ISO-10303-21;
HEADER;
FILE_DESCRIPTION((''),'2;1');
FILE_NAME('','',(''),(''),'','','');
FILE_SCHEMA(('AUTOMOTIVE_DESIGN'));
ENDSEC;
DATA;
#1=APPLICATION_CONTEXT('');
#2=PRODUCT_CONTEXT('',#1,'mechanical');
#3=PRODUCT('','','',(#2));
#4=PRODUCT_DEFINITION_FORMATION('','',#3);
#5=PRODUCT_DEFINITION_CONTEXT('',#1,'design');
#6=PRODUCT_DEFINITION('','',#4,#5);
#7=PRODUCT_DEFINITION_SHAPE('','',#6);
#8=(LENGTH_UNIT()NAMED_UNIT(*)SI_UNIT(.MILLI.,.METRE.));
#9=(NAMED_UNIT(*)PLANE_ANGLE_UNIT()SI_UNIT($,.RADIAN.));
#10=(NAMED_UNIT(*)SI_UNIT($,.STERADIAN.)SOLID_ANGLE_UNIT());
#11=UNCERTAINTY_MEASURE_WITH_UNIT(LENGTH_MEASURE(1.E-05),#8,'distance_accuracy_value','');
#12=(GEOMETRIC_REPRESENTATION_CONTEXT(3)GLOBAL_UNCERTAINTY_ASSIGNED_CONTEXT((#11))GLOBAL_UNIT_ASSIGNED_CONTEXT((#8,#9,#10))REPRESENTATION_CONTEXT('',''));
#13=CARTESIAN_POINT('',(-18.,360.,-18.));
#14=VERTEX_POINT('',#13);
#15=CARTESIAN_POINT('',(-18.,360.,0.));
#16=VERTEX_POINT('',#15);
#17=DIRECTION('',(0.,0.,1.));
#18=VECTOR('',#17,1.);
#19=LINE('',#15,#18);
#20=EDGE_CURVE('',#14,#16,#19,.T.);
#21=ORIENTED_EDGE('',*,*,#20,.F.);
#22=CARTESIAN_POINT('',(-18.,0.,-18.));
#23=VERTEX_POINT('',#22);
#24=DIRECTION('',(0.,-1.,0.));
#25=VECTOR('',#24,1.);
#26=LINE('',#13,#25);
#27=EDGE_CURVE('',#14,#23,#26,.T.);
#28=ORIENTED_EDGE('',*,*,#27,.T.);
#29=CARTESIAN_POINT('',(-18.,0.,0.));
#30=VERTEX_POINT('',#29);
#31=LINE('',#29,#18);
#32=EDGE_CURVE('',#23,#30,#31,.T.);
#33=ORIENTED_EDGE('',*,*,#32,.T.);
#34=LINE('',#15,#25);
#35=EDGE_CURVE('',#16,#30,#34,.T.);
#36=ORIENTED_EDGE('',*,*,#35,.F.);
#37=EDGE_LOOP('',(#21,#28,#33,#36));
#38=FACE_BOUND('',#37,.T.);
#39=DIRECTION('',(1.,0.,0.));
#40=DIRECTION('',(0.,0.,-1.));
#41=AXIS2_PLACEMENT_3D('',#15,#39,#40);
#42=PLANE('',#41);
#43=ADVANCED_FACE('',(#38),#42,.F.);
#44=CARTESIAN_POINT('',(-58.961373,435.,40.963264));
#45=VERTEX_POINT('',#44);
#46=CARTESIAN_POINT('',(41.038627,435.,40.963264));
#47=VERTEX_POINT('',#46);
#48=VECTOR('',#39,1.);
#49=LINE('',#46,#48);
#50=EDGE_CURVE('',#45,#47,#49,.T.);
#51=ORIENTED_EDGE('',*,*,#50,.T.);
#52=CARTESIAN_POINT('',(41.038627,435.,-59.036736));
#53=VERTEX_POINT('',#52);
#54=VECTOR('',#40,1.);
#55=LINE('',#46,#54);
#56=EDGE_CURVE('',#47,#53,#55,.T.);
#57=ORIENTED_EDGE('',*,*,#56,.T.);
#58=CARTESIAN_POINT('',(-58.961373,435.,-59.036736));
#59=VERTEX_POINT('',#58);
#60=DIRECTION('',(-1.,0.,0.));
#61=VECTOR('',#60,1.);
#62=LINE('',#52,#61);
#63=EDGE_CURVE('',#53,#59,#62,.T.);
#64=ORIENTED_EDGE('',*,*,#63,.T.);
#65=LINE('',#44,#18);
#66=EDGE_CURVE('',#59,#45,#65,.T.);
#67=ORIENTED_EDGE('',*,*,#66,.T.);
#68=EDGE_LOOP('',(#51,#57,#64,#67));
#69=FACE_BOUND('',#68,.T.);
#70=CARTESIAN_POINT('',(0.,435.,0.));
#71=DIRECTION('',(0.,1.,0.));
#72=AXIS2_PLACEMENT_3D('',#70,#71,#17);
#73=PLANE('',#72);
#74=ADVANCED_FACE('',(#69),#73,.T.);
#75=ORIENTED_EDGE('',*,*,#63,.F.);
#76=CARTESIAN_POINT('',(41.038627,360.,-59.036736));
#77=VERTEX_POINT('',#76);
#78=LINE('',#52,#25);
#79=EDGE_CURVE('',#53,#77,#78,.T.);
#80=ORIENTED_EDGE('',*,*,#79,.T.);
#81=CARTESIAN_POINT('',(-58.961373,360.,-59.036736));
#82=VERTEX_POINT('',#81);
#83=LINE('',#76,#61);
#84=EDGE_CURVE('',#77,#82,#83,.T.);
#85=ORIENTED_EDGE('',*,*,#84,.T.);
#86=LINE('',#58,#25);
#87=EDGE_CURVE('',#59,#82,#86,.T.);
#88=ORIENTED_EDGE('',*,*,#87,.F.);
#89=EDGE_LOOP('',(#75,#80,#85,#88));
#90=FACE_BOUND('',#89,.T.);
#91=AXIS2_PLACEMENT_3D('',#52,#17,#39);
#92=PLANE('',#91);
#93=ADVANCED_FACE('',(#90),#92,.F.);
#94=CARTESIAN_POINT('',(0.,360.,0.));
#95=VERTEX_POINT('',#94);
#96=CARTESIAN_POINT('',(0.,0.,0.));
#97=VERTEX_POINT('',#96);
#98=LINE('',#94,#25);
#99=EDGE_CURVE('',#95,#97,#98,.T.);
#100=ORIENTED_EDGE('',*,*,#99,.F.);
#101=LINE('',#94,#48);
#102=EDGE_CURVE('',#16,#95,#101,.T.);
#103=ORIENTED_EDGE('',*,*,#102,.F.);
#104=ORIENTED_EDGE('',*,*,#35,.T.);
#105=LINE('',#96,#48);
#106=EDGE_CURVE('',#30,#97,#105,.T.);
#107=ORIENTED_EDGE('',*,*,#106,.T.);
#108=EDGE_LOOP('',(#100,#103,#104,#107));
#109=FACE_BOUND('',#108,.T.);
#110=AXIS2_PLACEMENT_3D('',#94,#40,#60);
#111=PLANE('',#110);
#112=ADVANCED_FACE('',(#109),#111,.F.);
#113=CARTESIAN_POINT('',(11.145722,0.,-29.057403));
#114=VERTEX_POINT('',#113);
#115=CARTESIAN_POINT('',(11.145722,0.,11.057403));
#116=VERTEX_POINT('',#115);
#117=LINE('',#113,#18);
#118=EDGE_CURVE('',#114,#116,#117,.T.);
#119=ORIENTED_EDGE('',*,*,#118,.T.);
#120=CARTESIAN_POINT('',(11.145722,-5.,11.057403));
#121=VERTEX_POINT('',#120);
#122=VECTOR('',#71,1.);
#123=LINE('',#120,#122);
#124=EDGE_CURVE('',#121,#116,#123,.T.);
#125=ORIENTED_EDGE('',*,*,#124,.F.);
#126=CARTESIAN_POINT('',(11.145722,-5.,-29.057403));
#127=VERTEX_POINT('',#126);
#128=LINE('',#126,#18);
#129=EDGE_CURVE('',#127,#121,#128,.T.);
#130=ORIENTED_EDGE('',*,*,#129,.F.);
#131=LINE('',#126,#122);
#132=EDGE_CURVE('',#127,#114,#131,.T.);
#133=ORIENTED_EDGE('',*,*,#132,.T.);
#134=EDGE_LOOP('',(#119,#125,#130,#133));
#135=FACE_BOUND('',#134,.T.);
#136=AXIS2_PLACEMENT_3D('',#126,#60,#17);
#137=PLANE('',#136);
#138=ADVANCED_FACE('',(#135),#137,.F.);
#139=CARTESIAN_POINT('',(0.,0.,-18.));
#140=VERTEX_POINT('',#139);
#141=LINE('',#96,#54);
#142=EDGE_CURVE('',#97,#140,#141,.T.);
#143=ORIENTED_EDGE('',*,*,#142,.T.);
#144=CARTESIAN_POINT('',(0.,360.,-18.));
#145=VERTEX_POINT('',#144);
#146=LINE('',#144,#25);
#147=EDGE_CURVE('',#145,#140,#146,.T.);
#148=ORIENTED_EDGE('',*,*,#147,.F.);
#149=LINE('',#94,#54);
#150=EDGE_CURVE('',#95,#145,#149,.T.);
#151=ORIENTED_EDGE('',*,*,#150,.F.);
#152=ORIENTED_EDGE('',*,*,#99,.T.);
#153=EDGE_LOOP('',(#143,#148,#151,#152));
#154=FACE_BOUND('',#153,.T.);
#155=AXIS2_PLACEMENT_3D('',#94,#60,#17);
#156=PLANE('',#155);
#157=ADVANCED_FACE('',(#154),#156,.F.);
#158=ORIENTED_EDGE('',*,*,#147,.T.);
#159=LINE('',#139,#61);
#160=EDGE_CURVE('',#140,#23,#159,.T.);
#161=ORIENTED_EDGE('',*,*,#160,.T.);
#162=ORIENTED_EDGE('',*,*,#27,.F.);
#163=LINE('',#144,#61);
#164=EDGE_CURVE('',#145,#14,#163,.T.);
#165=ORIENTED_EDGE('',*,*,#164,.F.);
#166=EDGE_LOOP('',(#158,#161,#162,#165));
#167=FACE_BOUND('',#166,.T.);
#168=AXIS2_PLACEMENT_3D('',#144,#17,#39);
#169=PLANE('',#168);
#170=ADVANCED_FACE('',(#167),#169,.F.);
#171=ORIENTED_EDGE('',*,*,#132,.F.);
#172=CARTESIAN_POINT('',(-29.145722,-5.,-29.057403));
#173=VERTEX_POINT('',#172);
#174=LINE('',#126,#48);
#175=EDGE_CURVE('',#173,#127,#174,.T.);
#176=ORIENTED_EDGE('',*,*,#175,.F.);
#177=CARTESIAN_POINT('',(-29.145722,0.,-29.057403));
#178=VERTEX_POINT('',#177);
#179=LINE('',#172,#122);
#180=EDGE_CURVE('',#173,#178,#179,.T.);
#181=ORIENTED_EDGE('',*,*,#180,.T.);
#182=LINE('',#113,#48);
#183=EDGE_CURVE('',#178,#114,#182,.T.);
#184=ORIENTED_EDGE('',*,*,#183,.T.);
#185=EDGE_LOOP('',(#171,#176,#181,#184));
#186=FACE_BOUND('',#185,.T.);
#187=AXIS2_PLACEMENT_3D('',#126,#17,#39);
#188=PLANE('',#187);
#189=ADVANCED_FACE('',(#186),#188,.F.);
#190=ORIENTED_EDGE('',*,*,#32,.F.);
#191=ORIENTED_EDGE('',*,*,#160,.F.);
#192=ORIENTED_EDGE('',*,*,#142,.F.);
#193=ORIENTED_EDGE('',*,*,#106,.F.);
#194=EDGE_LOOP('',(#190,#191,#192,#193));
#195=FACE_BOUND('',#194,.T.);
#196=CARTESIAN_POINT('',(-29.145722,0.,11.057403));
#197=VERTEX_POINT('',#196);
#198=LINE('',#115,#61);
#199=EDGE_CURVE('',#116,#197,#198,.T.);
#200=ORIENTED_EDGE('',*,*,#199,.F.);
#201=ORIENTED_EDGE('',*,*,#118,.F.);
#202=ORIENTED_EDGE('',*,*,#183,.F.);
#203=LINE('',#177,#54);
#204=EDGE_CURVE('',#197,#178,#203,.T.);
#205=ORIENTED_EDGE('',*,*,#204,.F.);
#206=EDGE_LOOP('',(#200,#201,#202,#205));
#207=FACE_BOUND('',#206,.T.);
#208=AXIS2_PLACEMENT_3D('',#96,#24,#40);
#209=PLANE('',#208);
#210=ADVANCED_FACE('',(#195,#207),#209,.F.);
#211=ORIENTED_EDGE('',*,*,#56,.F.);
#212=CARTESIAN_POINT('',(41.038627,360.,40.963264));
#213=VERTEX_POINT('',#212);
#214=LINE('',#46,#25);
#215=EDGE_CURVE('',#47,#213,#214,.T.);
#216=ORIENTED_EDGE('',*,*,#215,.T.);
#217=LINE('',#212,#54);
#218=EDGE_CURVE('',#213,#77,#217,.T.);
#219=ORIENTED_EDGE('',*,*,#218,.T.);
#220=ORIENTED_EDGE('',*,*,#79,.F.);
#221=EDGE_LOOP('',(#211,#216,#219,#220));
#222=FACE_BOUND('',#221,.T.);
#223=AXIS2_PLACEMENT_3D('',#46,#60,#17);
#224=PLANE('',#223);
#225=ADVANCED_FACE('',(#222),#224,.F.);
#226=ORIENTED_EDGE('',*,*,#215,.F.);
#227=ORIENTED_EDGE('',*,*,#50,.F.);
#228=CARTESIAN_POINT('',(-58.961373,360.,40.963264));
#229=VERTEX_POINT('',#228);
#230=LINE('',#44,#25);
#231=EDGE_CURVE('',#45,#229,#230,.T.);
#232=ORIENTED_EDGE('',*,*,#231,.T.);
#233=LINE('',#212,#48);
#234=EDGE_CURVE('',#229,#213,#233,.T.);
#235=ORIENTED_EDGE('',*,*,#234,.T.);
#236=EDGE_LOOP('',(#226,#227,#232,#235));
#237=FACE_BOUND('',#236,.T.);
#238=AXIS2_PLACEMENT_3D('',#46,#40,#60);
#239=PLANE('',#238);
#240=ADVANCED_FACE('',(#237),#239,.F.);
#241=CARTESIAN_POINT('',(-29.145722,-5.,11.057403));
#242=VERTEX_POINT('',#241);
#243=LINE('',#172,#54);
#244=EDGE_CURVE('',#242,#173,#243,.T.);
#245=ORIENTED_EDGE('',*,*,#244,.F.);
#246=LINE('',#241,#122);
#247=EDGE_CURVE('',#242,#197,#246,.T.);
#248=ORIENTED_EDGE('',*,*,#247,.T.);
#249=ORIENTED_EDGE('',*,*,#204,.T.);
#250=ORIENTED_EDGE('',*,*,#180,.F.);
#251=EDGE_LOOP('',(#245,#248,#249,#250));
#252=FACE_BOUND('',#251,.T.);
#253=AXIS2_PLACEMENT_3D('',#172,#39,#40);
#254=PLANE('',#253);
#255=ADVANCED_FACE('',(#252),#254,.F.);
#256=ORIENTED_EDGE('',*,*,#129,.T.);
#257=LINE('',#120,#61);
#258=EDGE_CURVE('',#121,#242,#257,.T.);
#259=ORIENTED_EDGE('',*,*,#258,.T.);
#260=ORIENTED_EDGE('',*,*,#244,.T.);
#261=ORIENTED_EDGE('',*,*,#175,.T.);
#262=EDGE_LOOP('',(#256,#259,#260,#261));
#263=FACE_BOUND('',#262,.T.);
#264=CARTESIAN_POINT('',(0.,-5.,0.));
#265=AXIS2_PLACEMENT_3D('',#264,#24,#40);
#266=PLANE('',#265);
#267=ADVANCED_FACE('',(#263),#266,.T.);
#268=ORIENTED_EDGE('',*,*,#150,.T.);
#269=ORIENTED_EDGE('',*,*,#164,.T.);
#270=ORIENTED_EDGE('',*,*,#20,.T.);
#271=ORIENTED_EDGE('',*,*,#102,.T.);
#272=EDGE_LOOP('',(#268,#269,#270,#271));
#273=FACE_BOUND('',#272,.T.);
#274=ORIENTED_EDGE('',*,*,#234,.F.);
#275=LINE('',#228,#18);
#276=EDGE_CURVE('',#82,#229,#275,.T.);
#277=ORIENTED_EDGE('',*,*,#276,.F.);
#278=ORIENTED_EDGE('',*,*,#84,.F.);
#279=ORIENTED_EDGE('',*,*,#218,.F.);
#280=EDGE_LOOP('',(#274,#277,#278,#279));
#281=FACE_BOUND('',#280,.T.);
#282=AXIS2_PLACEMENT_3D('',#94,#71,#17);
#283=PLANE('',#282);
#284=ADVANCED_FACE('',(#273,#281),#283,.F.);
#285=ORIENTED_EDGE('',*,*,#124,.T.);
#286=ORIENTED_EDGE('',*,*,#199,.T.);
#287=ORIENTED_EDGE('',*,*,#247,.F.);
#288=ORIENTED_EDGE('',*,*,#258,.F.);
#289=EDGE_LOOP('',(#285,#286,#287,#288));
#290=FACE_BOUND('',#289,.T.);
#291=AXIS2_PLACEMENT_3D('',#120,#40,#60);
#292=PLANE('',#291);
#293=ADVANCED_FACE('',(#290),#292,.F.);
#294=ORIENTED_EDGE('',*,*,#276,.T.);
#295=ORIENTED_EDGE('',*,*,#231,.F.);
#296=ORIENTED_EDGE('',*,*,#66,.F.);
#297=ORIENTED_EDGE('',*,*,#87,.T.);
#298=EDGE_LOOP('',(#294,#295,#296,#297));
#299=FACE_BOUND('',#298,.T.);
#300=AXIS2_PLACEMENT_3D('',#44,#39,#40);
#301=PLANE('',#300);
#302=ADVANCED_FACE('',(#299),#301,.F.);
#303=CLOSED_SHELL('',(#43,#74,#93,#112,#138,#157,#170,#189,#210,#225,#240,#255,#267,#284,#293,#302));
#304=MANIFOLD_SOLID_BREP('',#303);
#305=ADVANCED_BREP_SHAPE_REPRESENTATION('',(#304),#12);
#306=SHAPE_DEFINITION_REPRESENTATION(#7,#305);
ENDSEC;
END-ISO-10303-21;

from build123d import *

# Parameters (mm, degrees)
SKETCH1_W           = 18
SKETCH1_H           = 18
BOSS_EXTRUDE1_DEPTH = 360
SKETCH2_W           = 100
SKETCH2_H           = 100
BOSS_EXTRUDE2_DEPTH = 75
SKETCH3_W           = 40.291443712
SKETCH3_H           = 40.114806418
BOSS_EXTRUDE3_DEPTH = 5


with BuildPart() as part:
    # Sketch1 → Boss-Extrude1 (new body)
    with BuildSketch(Plane(origin=(0, 0, 0), x_dir=(1, 0, 0), z_dir=(0, 1, 0))):
        with Locations((-9, 9)):
            Rectangle(SKETCH1_W, SKETCH1_H)
    extrude(amount=BOSS_EXTRUDE1_DEPTH)

    # Sketch2 → Boss-Extrude2 (add)
    with BuildSketch(Plane(origin=(0, 360, 0), x_dir=(1, 0, 0), z_dir=(0, 1, 0))):
        with Locations((-8.961373057, 9.036735776)):
            Rectangle(SKETCH2_W, SKETCH2_H)
    extrude(amount=BOSS_EXTRUDE2_DEPTH)

    # Sketch3 → Boss-Extrude3 (add)
    with BuildSketch(Plane(origin=(0, 0, 0), x_dir=(-1, 0, 0), z_dir=(0, -1, 0))):
        with Locations((9, 9)):
            Rectangle(SKETCH3_W, SKETCH3_H)
    extrude(amount=BOSS_EXTRUDE3_DEPTH)


solid = part.part
